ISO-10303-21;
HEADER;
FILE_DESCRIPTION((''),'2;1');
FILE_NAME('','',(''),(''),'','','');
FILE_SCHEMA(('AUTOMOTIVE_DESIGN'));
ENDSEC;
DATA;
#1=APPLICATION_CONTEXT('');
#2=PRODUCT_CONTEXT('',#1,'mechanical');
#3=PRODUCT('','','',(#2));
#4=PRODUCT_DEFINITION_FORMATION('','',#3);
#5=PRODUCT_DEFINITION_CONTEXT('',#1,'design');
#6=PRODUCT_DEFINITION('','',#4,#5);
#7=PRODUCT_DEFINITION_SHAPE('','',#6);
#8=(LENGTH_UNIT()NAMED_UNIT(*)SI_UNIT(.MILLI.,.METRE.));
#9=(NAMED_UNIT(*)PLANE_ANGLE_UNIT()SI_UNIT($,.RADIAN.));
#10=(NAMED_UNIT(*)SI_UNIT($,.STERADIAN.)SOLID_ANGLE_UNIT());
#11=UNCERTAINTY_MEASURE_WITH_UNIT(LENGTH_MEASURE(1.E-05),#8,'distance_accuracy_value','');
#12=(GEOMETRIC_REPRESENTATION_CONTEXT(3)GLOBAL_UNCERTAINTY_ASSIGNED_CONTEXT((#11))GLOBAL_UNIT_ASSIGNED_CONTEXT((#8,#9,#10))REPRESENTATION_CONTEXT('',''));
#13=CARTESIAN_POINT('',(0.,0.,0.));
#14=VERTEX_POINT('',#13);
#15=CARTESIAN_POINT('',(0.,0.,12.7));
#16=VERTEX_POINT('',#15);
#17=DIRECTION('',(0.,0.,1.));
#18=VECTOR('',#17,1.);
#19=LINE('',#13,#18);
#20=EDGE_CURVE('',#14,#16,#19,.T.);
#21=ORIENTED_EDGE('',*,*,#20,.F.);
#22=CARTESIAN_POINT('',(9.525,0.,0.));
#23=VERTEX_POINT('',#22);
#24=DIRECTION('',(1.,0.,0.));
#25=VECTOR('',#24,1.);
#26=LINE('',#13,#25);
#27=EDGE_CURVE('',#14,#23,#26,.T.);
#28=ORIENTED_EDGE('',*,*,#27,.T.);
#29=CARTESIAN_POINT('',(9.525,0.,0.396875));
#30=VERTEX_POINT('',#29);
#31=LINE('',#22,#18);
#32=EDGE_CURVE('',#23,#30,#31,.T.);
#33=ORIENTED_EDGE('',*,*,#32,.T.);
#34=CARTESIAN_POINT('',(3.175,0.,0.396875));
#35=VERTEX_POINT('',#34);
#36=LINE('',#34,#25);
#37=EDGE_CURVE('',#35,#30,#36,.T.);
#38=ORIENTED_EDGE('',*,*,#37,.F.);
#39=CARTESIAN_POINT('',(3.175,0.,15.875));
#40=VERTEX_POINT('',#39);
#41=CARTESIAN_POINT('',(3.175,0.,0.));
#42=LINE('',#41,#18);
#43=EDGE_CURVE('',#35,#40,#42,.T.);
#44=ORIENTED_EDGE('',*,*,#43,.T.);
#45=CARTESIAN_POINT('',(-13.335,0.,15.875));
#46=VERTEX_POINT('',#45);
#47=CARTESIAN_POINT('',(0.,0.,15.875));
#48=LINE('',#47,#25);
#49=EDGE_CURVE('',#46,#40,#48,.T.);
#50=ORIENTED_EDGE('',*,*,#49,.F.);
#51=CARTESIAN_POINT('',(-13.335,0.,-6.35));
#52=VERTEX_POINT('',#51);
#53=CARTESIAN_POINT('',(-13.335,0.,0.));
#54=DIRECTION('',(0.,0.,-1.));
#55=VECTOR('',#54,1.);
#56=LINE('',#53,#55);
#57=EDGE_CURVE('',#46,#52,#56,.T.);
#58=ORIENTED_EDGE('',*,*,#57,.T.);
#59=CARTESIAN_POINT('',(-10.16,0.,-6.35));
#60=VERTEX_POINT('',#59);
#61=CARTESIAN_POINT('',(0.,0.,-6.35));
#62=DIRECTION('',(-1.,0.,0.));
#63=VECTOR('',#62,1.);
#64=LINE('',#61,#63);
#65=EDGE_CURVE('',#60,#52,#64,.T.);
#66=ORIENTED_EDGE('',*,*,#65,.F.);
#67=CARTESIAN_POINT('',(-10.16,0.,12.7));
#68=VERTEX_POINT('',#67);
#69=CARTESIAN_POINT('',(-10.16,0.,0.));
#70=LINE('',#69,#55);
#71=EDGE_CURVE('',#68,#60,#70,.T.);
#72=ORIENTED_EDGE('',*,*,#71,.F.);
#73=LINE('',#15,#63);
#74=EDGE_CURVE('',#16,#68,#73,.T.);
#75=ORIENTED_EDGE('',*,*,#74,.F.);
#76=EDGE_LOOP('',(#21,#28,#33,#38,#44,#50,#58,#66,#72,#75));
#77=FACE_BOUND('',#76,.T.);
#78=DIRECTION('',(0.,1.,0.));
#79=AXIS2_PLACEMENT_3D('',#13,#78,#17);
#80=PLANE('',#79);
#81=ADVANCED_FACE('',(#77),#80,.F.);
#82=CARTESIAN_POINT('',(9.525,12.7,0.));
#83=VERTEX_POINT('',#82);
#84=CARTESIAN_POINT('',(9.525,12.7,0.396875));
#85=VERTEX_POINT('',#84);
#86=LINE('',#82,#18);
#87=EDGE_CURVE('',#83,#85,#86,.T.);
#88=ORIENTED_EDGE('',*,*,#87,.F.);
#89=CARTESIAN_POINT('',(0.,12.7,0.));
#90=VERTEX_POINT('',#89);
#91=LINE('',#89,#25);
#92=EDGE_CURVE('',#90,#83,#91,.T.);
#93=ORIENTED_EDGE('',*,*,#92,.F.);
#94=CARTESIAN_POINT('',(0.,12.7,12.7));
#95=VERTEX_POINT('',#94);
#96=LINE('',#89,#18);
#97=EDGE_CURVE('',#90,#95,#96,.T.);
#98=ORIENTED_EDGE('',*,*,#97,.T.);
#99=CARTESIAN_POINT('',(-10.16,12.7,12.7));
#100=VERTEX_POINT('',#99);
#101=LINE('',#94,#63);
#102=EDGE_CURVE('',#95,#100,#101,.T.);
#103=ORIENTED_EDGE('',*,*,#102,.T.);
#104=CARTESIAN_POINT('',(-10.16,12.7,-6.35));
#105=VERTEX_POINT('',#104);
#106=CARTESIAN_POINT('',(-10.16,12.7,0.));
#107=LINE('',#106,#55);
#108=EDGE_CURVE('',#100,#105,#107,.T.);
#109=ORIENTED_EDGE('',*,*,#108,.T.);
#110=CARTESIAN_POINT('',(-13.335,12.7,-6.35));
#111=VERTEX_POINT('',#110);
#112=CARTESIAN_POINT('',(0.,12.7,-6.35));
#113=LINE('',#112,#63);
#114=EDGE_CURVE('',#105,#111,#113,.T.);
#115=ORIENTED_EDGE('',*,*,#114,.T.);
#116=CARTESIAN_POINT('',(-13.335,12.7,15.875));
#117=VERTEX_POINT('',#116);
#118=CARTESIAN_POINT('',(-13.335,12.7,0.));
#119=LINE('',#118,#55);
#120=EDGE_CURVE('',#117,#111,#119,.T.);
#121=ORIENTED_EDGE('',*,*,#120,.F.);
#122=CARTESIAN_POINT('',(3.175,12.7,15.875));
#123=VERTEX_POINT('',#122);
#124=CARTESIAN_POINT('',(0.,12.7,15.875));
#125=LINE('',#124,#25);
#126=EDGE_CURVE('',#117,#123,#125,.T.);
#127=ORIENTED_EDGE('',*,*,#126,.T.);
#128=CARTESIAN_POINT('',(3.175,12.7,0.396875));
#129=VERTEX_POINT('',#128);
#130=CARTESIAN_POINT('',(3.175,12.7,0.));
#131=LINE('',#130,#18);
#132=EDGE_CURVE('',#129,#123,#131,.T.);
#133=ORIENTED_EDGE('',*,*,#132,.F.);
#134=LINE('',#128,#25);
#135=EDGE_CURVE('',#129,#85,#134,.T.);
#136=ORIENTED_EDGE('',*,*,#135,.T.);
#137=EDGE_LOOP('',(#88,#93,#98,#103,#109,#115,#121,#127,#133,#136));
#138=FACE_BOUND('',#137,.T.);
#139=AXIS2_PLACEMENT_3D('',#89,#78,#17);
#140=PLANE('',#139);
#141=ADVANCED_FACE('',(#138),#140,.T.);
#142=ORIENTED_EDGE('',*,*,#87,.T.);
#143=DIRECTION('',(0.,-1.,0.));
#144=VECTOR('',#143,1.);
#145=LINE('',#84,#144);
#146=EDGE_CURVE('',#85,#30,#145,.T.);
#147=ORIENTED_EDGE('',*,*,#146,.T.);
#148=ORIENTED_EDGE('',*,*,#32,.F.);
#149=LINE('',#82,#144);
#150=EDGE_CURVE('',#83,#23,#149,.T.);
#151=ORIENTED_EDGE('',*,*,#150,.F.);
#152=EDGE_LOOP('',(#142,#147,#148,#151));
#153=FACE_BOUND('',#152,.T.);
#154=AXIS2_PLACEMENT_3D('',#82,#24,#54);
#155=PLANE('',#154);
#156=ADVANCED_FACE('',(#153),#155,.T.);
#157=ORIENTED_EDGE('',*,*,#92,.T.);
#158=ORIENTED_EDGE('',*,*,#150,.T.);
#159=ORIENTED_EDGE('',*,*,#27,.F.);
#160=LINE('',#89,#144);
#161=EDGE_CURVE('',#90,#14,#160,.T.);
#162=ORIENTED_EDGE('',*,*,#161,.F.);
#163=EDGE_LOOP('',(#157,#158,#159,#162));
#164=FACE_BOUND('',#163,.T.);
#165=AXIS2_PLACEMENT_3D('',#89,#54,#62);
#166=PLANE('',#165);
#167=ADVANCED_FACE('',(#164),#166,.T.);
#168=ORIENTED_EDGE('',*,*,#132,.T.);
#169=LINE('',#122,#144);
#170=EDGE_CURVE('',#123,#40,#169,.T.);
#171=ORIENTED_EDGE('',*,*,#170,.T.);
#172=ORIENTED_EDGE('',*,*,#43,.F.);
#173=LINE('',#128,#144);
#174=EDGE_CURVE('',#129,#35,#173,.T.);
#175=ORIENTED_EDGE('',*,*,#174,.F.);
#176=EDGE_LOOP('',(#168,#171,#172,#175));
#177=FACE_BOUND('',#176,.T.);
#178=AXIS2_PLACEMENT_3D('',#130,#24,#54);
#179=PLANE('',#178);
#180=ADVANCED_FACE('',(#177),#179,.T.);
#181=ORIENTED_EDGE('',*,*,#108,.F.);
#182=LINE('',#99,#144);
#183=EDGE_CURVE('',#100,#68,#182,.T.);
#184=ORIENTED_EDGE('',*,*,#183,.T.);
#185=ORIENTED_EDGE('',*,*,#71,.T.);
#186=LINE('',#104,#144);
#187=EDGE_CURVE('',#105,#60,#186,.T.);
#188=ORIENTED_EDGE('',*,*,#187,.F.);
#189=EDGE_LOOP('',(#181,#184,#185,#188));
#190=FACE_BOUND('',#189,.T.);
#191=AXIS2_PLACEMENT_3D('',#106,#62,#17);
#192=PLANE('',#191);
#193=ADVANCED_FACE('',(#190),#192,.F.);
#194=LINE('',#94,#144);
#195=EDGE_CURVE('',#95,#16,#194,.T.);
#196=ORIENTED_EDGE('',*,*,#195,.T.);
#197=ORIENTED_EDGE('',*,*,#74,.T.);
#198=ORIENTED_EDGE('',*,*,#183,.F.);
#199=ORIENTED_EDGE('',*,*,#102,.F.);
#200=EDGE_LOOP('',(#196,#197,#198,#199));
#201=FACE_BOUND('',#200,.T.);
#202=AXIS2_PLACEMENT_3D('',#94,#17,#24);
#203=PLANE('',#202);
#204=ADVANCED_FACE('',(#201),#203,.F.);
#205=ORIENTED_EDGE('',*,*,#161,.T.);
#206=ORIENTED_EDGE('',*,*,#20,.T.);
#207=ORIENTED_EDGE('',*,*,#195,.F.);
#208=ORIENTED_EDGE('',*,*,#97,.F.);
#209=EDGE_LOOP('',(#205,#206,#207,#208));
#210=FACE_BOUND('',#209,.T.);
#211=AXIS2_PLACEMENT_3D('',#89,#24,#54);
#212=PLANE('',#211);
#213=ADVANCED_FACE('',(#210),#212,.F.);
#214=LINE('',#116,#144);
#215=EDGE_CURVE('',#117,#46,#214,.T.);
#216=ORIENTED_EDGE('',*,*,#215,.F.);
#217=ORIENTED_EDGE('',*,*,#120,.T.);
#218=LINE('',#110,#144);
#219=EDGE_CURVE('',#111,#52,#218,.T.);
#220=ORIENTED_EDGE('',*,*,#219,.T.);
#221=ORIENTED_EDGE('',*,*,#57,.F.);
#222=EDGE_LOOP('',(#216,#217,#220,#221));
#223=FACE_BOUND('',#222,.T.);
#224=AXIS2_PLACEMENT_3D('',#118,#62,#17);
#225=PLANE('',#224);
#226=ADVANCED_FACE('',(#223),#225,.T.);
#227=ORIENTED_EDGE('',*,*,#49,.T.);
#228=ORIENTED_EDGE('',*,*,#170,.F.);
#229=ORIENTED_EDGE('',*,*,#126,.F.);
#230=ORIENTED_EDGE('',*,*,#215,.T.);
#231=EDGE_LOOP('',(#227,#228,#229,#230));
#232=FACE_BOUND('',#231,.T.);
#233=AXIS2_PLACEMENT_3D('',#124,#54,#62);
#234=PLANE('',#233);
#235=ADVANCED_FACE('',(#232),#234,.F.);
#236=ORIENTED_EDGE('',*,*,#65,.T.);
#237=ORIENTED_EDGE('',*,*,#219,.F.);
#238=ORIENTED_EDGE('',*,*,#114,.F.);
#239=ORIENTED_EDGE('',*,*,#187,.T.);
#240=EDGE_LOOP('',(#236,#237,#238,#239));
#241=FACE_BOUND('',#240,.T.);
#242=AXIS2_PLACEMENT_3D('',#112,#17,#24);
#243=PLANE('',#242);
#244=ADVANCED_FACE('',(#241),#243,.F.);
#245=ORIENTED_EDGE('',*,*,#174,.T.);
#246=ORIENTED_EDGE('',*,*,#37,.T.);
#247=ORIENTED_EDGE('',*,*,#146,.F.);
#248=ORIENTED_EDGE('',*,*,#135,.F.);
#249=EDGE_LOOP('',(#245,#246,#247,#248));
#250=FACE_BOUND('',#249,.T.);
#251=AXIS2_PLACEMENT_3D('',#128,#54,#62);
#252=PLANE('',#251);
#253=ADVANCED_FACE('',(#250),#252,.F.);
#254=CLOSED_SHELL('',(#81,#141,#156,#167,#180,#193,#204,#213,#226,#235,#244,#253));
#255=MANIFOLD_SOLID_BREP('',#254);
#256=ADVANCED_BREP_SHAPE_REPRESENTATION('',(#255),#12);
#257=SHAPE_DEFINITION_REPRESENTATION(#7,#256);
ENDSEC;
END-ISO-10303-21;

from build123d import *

# Parameters (mm, degrees)
SKETCH1_W           = 6.35
SKETCH1_H           = 0.396875
BOSS_EXTRUDE1_DEPTH = 12.7


with BuildPart() as part:
    # Sketch1 → Boss-Extrude1 (new body)
    with BuildSketch(Plane(origin=(0, 0, 0), x_dir=(1, 0, 0), z_dir=(0, 1, 0))):
        Polygon((-13.335, 6.35), (-13.335, -15.875), (0, -15.875), (0, -12.7), (-10.16, -12.7), (-10.16, 6.35), align=None)
        Polygon((0, -12.7), (0, -15.875), (3.175, -15.875), (3.175, -0.396875), (3.175, 0), (0, 0), align=None)
        with Locations((6.35, -0.1984375)):
            Rectangle(SKETCH1_W, SKETCH1_H)
    extrude(amount=BOSS_EXTRUDE1_DEPTH)


solid = part.part
